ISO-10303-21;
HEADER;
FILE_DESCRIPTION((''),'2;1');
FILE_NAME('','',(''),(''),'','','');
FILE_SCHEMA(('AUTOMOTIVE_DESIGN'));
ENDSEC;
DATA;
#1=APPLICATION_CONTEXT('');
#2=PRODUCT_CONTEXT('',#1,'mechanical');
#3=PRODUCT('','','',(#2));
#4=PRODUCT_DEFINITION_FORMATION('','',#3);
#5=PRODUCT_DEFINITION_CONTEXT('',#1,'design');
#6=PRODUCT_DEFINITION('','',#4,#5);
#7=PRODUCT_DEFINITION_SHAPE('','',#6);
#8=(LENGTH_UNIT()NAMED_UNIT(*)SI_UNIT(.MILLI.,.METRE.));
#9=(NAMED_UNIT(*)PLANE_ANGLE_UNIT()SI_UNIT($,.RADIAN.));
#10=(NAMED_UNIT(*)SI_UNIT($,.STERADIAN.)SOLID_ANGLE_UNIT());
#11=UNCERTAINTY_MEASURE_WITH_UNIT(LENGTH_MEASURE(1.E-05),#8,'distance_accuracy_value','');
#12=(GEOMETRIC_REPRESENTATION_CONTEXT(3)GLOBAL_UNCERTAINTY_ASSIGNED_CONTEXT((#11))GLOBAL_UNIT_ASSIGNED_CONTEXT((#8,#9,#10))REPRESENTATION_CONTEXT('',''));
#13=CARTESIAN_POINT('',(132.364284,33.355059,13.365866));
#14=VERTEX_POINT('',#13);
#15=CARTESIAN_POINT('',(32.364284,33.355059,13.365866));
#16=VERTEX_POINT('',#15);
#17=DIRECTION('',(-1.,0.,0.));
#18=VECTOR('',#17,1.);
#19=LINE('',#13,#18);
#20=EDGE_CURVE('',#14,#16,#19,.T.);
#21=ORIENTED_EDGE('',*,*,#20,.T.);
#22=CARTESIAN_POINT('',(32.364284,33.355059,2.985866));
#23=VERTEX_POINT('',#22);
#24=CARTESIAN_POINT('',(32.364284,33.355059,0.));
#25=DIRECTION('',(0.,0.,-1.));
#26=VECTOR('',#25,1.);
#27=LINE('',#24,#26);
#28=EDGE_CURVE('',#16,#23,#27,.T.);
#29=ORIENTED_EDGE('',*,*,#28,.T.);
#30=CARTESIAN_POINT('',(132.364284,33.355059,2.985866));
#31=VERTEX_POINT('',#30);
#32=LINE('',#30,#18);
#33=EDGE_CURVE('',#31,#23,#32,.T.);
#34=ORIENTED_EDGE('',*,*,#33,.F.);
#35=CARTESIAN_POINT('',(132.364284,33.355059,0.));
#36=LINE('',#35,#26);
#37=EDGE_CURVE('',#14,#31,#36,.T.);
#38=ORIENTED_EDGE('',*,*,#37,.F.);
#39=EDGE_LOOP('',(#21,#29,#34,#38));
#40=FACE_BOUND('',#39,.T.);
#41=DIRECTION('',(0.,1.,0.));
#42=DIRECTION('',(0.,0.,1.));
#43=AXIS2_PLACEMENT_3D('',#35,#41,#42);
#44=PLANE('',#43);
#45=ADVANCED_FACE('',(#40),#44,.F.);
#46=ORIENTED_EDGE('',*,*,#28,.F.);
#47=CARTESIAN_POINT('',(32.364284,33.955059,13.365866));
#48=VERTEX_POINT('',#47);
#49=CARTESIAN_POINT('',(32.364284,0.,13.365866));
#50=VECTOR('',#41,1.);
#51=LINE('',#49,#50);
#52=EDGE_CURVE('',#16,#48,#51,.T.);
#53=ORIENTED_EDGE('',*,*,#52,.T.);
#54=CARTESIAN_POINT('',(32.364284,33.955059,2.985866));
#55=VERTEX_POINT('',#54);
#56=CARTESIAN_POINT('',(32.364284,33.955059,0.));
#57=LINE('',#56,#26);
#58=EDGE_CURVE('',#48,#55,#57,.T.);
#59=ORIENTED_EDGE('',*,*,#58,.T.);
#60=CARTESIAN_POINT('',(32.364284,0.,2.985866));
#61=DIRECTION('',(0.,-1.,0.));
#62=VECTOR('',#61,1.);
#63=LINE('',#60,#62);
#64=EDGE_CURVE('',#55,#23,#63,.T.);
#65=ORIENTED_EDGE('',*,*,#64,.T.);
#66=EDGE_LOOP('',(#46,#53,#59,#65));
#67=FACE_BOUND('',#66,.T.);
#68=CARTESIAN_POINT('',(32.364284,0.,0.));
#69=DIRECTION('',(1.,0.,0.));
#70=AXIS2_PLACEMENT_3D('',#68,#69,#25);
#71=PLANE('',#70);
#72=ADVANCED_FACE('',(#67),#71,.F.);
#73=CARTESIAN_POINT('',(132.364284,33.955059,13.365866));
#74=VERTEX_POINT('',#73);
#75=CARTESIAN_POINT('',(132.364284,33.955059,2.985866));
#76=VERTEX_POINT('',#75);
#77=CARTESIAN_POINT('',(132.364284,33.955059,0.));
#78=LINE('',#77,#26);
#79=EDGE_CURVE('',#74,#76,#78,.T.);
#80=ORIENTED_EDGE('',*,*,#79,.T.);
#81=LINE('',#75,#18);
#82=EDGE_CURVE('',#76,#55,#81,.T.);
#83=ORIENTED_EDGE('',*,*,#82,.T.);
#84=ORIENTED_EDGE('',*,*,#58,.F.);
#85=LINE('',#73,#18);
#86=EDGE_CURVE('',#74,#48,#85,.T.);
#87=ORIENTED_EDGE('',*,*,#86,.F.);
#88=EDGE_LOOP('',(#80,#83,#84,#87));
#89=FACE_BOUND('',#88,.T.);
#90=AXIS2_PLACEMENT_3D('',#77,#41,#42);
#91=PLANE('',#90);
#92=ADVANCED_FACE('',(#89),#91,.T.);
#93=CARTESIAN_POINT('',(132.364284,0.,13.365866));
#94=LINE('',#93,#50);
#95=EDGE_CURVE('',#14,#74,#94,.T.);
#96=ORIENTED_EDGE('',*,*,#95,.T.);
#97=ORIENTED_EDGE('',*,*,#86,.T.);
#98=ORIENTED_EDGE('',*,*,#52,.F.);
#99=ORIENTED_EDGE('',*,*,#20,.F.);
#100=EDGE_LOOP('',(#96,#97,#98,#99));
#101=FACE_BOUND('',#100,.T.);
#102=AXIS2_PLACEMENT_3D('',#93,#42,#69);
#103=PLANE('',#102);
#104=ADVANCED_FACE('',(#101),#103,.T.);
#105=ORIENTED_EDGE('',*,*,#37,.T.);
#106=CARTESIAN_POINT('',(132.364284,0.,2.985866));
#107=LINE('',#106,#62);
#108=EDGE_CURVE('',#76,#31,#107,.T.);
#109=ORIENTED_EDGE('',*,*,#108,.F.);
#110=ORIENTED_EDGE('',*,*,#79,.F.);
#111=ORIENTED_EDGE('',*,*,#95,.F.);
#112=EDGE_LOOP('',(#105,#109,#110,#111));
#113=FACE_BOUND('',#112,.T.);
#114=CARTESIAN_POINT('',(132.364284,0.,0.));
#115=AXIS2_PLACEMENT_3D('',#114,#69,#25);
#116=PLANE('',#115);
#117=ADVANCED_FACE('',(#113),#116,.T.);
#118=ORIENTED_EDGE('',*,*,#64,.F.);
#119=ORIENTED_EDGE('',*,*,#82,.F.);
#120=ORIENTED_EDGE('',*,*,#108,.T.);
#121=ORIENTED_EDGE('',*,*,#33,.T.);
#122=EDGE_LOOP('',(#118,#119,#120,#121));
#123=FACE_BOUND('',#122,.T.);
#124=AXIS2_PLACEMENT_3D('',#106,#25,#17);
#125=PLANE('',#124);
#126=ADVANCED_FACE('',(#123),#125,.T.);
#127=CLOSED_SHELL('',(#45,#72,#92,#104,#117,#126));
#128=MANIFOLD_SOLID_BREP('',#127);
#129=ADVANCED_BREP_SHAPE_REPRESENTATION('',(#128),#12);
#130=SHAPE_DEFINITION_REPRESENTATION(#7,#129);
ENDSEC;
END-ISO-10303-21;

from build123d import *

# Parameters (mm, degrees)
BOSS_EXTRUDE1_DEPTH = 100


with BuildPart() as part:
    # Sketch1 → Boss-Extrude1 (new body)
    with BuildSketch(Plane(origin=(32.364284334, 0, 0), x_dir=(0, 0, -1), z_dir=(1, 0, 0))):
        Polygon((-13.365866483, 33.355059464), (-7.875866483, 33.355059464), (-7.875866483, 33.955059464), (-10.755866483, 33.955059464), (-13.365866483, 33.955059464), align=None)
        Polygon((-7.875866483, 33.955059464), (-7.875866483, 33.355059464), (-2.985866483, 33.355059464), (-2.985866483, 33.955059464), (-4.995866483, 33.955059464), align=None)
    extrude(amount=BOSS_EXTRUDE1_DEPTH)


solid = part.part
